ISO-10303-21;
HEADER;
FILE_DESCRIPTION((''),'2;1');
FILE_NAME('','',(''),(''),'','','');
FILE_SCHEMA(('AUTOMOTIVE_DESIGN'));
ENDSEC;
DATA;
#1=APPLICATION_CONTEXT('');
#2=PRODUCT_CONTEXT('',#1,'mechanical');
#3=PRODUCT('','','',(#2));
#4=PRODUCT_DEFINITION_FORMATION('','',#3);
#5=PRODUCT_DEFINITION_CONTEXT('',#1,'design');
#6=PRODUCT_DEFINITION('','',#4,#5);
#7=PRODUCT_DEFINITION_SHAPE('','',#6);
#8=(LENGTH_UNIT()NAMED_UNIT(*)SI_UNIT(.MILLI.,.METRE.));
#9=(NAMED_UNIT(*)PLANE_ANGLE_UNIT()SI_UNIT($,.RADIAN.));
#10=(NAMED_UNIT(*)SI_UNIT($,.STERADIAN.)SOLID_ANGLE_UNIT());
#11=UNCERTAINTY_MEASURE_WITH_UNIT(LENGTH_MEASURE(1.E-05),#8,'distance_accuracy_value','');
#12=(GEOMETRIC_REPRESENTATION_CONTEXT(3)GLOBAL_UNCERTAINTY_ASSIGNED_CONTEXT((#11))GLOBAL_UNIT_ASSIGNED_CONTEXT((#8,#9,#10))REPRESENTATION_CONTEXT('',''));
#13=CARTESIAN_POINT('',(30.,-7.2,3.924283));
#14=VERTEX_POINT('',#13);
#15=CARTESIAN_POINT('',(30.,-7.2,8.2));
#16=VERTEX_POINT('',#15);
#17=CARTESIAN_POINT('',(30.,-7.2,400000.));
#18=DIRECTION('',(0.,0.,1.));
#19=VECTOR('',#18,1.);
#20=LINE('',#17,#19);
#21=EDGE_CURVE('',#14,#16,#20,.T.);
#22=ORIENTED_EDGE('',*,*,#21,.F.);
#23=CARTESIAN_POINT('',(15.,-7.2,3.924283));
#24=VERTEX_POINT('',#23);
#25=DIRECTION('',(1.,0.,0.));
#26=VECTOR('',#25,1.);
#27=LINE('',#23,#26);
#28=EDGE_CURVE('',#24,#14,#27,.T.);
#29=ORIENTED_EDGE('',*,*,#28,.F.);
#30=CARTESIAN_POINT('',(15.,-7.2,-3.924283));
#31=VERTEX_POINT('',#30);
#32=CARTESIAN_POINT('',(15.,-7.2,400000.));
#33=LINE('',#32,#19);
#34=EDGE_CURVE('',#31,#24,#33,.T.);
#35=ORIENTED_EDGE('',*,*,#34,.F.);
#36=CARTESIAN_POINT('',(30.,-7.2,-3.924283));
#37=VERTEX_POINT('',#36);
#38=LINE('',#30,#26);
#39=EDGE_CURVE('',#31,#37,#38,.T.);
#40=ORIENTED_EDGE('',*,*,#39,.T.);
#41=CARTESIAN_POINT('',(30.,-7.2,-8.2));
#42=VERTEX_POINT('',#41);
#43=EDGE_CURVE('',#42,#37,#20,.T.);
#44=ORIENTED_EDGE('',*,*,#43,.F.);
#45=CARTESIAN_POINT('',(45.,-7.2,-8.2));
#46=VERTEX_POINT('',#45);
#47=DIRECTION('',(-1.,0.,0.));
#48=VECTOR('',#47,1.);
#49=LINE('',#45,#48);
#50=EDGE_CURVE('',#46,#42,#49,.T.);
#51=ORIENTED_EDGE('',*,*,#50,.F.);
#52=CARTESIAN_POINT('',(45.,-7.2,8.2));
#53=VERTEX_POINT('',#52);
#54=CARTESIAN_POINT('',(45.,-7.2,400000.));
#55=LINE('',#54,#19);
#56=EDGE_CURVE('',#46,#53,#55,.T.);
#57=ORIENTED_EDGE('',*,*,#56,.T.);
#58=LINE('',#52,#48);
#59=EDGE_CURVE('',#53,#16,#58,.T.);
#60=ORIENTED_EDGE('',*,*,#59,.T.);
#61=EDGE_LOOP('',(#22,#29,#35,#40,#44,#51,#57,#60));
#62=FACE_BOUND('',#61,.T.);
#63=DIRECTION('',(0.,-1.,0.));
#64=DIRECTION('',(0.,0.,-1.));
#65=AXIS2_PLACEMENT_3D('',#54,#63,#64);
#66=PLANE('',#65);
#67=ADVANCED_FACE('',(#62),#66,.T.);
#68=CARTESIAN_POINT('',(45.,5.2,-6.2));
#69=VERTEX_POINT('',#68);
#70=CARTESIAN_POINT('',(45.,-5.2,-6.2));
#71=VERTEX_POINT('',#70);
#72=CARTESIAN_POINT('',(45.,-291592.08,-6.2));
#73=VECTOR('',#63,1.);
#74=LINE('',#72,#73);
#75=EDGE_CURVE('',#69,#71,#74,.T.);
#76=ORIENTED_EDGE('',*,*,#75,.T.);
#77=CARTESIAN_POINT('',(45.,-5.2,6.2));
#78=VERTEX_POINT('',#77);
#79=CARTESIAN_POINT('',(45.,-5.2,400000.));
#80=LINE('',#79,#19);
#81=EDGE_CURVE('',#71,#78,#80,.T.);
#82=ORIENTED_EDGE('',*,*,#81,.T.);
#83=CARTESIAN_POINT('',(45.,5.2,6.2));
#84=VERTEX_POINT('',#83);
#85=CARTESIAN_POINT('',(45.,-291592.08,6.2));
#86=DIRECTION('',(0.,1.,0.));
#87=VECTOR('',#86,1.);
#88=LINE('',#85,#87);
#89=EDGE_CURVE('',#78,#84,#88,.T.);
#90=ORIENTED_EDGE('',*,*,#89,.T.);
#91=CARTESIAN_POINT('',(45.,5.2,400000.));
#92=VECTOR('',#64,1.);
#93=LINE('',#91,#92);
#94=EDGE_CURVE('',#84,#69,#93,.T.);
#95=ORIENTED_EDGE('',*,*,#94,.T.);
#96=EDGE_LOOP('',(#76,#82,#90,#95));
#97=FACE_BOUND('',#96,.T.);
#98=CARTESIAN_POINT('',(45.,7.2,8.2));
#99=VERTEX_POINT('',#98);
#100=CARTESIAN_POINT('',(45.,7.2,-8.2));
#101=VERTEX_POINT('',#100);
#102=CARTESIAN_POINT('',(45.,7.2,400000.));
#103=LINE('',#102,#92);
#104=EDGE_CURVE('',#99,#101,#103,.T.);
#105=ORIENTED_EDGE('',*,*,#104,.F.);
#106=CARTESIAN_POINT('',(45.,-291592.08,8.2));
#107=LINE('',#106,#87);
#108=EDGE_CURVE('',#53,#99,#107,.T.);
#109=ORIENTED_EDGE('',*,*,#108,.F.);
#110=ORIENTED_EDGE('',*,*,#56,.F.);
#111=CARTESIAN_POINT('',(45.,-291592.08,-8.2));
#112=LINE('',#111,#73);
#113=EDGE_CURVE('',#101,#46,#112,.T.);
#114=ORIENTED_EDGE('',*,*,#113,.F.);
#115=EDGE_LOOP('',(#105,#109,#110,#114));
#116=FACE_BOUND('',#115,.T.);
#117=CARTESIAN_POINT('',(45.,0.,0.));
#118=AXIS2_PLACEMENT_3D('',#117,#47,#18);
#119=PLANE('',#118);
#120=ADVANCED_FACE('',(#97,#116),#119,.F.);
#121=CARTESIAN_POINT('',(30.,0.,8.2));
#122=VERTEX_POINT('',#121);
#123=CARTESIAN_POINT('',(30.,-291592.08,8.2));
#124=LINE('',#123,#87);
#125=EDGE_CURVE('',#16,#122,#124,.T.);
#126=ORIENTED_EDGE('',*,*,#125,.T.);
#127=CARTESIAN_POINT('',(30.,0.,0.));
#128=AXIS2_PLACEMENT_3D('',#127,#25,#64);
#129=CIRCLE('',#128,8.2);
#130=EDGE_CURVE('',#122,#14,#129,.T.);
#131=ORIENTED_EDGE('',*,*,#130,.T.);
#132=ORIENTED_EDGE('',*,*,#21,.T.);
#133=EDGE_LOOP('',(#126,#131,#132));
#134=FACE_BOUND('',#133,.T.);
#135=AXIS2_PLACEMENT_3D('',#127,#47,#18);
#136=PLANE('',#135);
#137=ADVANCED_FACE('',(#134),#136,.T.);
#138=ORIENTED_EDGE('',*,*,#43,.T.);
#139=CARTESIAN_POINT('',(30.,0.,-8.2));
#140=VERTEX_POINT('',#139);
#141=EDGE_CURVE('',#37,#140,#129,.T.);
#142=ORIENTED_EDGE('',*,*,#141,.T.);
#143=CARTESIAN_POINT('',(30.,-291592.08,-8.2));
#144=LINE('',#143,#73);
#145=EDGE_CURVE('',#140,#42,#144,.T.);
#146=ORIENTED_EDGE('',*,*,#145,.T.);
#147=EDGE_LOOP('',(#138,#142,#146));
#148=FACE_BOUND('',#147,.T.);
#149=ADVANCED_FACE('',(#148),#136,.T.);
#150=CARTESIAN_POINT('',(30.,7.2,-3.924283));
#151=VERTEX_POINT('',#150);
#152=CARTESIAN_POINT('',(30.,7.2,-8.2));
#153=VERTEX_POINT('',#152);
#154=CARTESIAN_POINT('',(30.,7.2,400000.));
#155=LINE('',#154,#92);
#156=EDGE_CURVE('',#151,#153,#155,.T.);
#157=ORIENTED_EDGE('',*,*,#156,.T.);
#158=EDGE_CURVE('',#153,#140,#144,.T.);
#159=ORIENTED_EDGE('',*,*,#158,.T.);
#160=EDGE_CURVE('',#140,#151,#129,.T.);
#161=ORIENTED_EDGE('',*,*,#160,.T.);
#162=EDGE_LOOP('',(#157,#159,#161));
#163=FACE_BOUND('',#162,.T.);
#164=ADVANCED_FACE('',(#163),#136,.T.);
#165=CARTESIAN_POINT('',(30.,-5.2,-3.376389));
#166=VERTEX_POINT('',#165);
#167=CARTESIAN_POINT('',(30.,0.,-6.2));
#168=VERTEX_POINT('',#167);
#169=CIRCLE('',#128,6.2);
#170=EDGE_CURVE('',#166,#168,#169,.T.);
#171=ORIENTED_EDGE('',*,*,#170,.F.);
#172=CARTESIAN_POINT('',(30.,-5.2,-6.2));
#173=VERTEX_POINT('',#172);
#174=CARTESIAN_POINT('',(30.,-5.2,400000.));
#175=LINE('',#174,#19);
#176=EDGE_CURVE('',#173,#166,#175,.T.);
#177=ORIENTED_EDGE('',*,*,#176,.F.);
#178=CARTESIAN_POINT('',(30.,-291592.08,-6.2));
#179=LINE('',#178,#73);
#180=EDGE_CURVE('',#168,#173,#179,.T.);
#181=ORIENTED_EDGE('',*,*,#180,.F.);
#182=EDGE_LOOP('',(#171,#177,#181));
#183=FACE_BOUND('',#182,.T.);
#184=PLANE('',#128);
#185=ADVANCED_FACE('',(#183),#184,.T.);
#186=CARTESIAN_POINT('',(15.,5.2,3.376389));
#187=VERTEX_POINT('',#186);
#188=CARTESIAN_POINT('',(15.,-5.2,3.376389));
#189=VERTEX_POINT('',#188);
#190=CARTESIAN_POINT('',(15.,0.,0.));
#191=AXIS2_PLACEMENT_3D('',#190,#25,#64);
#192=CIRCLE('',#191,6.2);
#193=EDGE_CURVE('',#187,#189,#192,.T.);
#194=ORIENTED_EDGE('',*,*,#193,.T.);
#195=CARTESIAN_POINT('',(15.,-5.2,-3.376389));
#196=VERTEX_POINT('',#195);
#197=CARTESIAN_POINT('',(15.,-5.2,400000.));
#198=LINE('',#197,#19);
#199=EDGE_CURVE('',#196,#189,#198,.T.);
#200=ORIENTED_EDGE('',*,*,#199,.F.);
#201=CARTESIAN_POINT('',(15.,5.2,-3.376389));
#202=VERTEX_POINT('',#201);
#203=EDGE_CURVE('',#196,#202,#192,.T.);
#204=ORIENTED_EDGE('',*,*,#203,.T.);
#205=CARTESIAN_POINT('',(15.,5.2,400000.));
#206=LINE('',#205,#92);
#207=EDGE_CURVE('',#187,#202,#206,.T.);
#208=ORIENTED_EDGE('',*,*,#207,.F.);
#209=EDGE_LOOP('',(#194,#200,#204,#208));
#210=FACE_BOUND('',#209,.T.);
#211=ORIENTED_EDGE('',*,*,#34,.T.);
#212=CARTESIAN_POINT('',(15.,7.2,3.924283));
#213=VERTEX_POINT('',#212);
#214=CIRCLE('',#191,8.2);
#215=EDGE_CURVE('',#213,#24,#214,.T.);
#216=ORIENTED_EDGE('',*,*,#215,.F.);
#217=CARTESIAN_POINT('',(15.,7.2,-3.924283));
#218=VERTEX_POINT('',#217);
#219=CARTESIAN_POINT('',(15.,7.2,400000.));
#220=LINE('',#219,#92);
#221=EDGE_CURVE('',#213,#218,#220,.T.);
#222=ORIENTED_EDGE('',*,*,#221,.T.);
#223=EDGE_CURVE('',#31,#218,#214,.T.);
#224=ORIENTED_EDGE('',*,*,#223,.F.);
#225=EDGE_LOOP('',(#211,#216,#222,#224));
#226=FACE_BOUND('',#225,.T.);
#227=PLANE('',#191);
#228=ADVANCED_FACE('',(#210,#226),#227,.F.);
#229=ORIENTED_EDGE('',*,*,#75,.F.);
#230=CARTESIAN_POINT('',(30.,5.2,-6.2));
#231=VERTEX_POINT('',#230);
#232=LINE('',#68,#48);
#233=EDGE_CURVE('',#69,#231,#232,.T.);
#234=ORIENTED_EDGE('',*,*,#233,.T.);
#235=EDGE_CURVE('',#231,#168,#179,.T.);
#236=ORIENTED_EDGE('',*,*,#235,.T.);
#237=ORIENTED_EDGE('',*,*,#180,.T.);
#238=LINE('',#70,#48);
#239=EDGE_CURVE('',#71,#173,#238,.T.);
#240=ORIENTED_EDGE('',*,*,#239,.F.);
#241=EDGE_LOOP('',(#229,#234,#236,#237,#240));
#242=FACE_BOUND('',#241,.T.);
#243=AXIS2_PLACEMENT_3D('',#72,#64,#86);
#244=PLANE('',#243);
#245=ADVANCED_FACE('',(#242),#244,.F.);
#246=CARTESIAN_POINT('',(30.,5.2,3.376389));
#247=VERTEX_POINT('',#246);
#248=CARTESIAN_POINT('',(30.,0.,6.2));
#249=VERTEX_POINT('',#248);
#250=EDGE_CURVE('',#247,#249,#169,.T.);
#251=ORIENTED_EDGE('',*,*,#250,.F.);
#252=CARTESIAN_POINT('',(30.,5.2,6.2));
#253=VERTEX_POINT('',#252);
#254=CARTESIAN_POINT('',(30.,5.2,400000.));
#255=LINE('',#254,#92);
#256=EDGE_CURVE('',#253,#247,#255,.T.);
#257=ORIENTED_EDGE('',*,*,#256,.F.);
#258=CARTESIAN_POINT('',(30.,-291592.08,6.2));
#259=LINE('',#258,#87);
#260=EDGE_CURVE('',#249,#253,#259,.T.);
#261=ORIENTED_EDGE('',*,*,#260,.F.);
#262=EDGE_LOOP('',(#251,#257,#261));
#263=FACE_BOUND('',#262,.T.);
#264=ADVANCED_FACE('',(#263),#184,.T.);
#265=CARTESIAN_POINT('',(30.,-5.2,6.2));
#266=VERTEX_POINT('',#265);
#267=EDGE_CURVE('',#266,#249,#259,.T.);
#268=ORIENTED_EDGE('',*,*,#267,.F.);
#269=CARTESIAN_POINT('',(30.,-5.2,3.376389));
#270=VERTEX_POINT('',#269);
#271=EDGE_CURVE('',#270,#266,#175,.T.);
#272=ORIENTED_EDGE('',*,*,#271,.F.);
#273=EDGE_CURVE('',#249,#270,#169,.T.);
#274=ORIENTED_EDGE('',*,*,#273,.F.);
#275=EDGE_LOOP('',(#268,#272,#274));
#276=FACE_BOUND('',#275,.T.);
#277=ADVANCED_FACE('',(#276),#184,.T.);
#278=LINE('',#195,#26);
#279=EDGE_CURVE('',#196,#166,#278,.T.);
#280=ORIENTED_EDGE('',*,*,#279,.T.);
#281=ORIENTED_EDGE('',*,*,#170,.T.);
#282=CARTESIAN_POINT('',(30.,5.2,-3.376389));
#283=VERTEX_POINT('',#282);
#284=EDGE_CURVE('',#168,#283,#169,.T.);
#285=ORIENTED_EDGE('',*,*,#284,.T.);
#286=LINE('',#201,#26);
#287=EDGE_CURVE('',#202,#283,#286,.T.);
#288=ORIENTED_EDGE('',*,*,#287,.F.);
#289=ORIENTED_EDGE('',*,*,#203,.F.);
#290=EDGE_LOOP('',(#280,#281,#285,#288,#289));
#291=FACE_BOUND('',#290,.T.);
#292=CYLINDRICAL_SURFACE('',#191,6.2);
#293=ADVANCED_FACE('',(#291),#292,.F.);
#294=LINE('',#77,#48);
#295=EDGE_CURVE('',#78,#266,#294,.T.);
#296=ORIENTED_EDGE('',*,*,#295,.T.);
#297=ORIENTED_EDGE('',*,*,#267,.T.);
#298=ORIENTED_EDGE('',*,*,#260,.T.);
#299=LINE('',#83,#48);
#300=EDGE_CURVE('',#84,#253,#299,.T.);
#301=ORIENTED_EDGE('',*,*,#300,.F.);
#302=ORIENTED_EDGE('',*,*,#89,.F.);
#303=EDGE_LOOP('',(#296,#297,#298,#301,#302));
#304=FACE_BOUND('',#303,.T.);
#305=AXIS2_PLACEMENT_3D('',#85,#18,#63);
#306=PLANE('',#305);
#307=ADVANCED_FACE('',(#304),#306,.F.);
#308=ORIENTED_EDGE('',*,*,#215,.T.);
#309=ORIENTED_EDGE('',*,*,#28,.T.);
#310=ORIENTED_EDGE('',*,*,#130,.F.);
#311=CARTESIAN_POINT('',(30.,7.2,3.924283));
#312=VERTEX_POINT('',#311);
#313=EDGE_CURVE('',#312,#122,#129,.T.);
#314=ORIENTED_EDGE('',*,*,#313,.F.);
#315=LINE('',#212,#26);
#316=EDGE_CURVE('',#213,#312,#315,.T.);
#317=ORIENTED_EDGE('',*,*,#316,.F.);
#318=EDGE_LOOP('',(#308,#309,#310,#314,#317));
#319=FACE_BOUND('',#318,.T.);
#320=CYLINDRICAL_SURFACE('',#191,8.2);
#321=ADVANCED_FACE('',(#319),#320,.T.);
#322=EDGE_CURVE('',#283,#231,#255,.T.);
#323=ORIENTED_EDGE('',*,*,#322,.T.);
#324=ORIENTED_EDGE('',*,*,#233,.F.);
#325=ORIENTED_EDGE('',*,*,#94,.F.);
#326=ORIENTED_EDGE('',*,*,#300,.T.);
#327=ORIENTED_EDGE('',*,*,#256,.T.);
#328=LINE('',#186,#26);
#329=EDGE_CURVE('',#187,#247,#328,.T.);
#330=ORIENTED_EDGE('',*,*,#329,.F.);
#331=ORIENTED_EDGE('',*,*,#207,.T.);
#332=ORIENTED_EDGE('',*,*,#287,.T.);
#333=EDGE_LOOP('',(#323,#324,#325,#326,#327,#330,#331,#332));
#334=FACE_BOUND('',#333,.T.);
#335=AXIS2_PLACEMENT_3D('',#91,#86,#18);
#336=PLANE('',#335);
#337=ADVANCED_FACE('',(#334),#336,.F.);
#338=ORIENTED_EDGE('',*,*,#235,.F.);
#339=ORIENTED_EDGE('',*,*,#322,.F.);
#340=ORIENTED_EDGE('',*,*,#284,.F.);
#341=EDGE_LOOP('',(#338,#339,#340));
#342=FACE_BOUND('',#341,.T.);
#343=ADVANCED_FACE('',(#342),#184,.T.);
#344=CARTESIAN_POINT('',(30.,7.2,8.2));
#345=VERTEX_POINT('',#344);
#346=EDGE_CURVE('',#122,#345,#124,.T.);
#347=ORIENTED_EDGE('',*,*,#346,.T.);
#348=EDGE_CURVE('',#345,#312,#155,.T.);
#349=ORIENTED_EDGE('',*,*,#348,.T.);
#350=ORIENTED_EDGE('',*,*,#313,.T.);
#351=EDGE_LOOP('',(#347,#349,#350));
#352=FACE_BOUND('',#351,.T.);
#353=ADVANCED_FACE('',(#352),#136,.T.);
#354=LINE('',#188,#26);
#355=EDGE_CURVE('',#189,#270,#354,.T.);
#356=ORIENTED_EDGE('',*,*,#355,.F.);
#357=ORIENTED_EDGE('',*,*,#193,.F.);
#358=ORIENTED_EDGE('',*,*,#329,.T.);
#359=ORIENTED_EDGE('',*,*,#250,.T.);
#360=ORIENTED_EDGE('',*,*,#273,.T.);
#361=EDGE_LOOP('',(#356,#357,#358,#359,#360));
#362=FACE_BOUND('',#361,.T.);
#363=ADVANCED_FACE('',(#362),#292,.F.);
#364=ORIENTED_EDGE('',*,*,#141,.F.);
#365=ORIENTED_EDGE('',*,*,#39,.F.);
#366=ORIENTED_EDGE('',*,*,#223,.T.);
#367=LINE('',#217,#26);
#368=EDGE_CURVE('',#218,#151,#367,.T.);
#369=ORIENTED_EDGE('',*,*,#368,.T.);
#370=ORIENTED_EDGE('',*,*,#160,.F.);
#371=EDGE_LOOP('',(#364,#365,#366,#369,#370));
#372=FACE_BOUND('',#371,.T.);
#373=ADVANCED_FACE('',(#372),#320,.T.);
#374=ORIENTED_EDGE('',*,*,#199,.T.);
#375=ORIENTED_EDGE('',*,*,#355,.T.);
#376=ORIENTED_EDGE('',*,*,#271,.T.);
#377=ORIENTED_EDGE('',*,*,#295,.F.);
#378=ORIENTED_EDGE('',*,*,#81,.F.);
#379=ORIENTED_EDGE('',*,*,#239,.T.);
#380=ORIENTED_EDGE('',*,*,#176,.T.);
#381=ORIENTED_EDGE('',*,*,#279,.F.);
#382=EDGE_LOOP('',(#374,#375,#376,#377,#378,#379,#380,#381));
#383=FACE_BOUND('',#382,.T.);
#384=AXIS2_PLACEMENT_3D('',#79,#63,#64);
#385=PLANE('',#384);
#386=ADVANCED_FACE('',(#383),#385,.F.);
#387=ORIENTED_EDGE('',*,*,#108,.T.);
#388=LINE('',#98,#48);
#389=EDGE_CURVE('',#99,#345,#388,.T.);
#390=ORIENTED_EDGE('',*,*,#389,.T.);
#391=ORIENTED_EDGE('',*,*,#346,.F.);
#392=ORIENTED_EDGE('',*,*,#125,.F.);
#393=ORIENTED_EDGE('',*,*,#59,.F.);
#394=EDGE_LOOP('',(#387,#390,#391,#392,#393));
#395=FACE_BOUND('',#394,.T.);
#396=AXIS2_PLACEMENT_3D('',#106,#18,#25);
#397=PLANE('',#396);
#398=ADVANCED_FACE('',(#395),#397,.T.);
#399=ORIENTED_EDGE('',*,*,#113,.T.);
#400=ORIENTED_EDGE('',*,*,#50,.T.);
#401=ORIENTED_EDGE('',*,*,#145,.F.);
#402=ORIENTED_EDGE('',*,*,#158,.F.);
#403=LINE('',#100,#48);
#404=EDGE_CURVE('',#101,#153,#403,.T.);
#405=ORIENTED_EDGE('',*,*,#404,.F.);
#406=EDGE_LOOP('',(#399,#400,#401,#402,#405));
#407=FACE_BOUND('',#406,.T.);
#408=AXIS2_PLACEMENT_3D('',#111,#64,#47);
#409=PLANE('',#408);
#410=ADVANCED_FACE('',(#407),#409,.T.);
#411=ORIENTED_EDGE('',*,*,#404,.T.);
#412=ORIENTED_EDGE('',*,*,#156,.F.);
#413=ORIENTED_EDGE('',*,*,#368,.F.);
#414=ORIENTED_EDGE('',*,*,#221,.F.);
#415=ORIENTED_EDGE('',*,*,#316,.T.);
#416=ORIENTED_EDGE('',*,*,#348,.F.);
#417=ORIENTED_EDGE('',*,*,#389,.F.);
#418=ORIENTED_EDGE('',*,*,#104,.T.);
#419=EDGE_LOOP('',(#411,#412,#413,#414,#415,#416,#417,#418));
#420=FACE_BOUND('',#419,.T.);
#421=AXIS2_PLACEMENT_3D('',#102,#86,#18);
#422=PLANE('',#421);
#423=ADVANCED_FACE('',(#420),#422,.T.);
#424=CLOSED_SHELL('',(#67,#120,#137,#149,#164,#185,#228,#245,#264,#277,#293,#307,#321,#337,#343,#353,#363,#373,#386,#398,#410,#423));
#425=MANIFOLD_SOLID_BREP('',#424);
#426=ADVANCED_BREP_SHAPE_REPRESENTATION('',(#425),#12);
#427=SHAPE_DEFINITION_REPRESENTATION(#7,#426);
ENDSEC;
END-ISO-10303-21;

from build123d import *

# Parameters (mm, degrees)
BOSS_EXTRUDE1_START = 30
SKETCH1_W           = 16.4
SKETCH1_H           = 14.4
SKETCH1_W_2         = 12.4
SKETCH1_H_2         = 10.4
BOSS_EXTRUDE1_DEPTH = 15
BOSS_EXTRUDE2_START = 30
BOSS_EXTRUDE2_DEPTH = 15


with BuildPart() as part:
    # Sketch1 → Boss-Extrude1 (new body)
    with BuildSketch(Plane(origin=(0, 0, 0), x_dir=(0, 0, -1), z_dir=(1, 0, 0)).offset(BOSS_EXTRUDE1_START)):
        Rectangle(SKETCH1_W, SKETCH1_H)
        Rectangle(SKETCH1_W_2, SKETCH1_H_2, mode=Mode.SUBTRACT)
    extrude(amount=BOSS_EXTRUDE1_DEPTH)

    # Sketch2 → Boss-Extrude2 (add)
    with BuildSketch(Plane(origin=(0, 0, 0), x_dir=(0, 0, -1), z_dir=(1, 0, 0)).offset(BOSS_EXTRUDE2_START)):
        with BuildLine():
            Line((-3.924283374, 7.2), (3.924283374, 7.2))
            ThreePointArc((3.924283374, 7.2), (8.2, 0), (3.924283374, -7.2))
            Line((3.924283374, -7.2), (-3.924283374, -7.2))
            ThreePointArc((-3.924283374, -7.2), (-8.2, 0), (-3.924283374, 7.2))
        make_face()
        with BuildLine():
            Line((-3.376388603, 5.2), (3.376388603, 5.2))
            ThreePointArc((3.376388603, 5.2), (6.2, 0), (3.376388603, -5.2))
            Line((3.376388603, -5.2), (-3.376388603, -5.2))
            ThreePointArc((-3.376388603, -5.2), (-6.2, 0), (-3.376388603, 5.2))
        make_face(mode=Mode.SUBTRACT)
    extrude(amount=-BOSS_EXTRUDE2_DEPTH)


solid = part.part
